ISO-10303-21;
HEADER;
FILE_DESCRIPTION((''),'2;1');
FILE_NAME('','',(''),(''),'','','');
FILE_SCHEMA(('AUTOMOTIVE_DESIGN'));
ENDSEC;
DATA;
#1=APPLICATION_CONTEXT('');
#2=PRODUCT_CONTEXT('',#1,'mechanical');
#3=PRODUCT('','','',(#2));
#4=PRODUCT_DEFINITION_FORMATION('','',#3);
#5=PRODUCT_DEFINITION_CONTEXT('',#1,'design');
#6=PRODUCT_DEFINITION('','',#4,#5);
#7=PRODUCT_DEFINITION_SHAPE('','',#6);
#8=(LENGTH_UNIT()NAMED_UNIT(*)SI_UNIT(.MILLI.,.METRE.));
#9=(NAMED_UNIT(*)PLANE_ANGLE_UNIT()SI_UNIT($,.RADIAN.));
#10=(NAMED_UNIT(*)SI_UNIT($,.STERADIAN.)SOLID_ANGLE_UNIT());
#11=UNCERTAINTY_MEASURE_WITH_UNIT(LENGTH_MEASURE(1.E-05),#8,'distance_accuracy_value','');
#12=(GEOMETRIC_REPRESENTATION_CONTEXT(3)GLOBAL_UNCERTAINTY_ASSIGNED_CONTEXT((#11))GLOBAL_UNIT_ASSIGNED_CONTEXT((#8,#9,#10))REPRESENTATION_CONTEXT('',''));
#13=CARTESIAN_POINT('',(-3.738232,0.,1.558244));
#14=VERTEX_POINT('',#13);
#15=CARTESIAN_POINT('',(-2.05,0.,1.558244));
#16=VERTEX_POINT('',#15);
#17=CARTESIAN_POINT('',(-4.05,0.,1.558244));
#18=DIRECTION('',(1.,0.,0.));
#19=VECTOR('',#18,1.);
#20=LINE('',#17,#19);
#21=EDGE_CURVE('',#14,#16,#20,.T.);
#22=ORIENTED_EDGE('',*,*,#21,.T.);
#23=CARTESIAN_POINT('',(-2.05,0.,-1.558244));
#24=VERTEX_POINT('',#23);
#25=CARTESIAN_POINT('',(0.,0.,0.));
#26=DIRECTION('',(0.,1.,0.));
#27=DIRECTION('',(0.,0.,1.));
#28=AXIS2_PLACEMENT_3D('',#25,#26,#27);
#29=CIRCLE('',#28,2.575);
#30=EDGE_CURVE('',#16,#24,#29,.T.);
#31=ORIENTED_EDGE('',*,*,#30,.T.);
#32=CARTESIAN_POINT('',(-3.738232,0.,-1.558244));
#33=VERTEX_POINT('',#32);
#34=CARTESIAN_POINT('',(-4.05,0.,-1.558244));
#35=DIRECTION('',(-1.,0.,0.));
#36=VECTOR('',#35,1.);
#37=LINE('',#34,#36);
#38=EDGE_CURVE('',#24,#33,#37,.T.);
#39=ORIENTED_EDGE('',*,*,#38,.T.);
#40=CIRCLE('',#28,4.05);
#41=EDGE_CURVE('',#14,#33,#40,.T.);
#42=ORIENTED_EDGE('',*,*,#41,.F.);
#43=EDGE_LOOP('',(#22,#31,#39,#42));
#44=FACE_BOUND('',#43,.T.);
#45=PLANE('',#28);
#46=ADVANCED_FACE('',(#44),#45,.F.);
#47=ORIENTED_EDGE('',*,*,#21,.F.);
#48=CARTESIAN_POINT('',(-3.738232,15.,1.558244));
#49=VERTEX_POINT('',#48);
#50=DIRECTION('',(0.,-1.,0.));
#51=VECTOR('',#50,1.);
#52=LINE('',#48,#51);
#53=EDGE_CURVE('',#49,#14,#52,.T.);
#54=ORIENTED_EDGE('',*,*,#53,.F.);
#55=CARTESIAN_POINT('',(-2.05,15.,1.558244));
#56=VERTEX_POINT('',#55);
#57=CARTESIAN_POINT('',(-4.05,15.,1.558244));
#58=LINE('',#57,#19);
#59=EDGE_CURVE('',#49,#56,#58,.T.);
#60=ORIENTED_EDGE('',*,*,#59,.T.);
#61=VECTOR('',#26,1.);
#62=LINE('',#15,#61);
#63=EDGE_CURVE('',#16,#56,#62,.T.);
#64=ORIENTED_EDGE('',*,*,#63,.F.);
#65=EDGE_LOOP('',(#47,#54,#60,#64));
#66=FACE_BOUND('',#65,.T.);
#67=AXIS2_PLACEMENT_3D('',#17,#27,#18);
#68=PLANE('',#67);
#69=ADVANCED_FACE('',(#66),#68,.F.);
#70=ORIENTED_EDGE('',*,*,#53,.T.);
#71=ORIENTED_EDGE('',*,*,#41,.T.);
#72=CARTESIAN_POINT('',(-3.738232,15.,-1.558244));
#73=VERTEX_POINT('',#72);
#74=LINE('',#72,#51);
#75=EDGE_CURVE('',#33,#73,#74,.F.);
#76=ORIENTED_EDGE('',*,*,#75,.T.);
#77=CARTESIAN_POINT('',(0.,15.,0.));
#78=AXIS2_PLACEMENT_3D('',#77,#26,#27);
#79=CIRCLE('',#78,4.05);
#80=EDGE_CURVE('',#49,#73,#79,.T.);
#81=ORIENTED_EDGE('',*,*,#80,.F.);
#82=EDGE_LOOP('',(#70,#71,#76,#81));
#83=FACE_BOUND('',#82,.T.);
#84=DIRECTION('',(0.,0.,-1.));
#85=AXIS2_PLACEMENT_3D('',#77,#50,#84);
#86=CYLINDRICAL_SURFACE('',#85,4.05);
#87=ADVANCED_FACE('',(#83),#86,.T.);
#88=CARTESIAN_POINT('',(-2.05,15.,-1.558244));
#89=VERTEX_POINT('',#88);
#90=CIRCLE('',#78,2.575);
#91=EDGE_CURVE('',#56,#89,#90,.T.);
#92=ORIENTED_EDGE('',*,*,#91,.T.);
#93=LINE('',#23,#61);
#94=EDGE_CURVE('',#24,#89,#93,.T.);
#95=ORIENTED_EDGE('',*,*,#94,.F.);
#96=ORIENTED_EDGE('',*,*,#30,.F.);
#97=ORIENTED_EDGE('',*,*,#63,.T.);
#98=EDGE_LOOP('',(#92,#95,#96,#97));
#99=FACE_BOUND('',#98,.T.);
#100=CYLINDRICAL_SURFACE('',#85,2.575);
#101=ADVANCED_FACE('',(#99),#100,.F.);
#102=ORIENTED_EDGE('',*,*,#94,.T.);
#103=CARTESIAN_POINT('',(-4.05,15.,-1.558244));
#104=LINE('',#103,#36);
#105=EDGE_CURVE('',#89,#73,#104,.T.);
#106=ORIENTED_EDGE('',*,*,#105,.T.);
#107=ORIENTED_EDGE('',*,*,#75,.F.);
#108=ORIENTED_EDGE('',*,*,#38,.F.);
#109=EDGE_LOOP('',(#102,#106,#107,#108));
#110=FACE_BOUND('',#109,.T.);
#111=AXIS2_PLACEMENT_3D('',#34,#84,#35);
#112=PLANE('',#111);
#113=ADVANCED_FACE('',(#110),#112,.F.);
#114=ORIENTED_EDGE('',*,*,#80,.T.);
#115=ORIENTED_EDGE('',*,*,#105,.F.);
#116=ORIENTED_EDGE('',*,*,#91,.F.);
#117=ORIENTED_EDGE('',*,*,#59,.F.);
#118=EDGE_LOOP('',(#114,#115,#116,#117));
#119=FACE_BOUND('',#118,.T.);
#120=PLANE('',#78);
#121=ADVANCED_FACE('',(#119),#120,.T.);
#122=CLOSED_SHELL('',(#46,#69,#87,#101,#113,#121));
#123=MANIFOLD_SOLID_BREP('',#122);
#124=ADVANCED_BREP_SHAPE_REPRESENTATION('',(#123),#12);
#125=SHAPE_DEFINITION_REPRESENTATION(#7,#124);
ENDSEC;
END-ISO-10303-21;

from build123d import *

# Parameters (mm, degrees)
SKETCH_1_R          = 4.05
SKETCH_1_R_2        = 2.575
EXTRUDE_1_DEPTH     = 15
SKETCH_2_W          = 2
SKETCH_2_H          = 3.116488408
CUT_EXTRUDE_1_DEPTH = 15


with BuildPart() as part:
    # 草圖1 → 填料-伸長1 (new body)
    with BuildSketch(Plane(origin=(0, 0, 0), x_dir=(1, 0, 0), z_dir=(0, 1, 0))):
        Circle(SKETCH_1_R)
        Circle(SKETCH_1_R_2, mode=Mode.SUBTRACT)
    extrude(amount=EXTRUDE_1_DEPTH)

    # 草圖2 → 除料-伸長1 (cut)
    with BuildSketch(Plane(origin=(0, 15, 0), x_dir=(1, 0, 0), z_dir=(0, 1, 0))):
        with Locations((-3.05, 0)):
            Rectangle(SKETCH_2_W, SKETCH_2_H)
    extrude(amount=-CUT_EXTRUDE_1_DEPTH, mode=Mode.SUBTRACT)


solid = part.part
